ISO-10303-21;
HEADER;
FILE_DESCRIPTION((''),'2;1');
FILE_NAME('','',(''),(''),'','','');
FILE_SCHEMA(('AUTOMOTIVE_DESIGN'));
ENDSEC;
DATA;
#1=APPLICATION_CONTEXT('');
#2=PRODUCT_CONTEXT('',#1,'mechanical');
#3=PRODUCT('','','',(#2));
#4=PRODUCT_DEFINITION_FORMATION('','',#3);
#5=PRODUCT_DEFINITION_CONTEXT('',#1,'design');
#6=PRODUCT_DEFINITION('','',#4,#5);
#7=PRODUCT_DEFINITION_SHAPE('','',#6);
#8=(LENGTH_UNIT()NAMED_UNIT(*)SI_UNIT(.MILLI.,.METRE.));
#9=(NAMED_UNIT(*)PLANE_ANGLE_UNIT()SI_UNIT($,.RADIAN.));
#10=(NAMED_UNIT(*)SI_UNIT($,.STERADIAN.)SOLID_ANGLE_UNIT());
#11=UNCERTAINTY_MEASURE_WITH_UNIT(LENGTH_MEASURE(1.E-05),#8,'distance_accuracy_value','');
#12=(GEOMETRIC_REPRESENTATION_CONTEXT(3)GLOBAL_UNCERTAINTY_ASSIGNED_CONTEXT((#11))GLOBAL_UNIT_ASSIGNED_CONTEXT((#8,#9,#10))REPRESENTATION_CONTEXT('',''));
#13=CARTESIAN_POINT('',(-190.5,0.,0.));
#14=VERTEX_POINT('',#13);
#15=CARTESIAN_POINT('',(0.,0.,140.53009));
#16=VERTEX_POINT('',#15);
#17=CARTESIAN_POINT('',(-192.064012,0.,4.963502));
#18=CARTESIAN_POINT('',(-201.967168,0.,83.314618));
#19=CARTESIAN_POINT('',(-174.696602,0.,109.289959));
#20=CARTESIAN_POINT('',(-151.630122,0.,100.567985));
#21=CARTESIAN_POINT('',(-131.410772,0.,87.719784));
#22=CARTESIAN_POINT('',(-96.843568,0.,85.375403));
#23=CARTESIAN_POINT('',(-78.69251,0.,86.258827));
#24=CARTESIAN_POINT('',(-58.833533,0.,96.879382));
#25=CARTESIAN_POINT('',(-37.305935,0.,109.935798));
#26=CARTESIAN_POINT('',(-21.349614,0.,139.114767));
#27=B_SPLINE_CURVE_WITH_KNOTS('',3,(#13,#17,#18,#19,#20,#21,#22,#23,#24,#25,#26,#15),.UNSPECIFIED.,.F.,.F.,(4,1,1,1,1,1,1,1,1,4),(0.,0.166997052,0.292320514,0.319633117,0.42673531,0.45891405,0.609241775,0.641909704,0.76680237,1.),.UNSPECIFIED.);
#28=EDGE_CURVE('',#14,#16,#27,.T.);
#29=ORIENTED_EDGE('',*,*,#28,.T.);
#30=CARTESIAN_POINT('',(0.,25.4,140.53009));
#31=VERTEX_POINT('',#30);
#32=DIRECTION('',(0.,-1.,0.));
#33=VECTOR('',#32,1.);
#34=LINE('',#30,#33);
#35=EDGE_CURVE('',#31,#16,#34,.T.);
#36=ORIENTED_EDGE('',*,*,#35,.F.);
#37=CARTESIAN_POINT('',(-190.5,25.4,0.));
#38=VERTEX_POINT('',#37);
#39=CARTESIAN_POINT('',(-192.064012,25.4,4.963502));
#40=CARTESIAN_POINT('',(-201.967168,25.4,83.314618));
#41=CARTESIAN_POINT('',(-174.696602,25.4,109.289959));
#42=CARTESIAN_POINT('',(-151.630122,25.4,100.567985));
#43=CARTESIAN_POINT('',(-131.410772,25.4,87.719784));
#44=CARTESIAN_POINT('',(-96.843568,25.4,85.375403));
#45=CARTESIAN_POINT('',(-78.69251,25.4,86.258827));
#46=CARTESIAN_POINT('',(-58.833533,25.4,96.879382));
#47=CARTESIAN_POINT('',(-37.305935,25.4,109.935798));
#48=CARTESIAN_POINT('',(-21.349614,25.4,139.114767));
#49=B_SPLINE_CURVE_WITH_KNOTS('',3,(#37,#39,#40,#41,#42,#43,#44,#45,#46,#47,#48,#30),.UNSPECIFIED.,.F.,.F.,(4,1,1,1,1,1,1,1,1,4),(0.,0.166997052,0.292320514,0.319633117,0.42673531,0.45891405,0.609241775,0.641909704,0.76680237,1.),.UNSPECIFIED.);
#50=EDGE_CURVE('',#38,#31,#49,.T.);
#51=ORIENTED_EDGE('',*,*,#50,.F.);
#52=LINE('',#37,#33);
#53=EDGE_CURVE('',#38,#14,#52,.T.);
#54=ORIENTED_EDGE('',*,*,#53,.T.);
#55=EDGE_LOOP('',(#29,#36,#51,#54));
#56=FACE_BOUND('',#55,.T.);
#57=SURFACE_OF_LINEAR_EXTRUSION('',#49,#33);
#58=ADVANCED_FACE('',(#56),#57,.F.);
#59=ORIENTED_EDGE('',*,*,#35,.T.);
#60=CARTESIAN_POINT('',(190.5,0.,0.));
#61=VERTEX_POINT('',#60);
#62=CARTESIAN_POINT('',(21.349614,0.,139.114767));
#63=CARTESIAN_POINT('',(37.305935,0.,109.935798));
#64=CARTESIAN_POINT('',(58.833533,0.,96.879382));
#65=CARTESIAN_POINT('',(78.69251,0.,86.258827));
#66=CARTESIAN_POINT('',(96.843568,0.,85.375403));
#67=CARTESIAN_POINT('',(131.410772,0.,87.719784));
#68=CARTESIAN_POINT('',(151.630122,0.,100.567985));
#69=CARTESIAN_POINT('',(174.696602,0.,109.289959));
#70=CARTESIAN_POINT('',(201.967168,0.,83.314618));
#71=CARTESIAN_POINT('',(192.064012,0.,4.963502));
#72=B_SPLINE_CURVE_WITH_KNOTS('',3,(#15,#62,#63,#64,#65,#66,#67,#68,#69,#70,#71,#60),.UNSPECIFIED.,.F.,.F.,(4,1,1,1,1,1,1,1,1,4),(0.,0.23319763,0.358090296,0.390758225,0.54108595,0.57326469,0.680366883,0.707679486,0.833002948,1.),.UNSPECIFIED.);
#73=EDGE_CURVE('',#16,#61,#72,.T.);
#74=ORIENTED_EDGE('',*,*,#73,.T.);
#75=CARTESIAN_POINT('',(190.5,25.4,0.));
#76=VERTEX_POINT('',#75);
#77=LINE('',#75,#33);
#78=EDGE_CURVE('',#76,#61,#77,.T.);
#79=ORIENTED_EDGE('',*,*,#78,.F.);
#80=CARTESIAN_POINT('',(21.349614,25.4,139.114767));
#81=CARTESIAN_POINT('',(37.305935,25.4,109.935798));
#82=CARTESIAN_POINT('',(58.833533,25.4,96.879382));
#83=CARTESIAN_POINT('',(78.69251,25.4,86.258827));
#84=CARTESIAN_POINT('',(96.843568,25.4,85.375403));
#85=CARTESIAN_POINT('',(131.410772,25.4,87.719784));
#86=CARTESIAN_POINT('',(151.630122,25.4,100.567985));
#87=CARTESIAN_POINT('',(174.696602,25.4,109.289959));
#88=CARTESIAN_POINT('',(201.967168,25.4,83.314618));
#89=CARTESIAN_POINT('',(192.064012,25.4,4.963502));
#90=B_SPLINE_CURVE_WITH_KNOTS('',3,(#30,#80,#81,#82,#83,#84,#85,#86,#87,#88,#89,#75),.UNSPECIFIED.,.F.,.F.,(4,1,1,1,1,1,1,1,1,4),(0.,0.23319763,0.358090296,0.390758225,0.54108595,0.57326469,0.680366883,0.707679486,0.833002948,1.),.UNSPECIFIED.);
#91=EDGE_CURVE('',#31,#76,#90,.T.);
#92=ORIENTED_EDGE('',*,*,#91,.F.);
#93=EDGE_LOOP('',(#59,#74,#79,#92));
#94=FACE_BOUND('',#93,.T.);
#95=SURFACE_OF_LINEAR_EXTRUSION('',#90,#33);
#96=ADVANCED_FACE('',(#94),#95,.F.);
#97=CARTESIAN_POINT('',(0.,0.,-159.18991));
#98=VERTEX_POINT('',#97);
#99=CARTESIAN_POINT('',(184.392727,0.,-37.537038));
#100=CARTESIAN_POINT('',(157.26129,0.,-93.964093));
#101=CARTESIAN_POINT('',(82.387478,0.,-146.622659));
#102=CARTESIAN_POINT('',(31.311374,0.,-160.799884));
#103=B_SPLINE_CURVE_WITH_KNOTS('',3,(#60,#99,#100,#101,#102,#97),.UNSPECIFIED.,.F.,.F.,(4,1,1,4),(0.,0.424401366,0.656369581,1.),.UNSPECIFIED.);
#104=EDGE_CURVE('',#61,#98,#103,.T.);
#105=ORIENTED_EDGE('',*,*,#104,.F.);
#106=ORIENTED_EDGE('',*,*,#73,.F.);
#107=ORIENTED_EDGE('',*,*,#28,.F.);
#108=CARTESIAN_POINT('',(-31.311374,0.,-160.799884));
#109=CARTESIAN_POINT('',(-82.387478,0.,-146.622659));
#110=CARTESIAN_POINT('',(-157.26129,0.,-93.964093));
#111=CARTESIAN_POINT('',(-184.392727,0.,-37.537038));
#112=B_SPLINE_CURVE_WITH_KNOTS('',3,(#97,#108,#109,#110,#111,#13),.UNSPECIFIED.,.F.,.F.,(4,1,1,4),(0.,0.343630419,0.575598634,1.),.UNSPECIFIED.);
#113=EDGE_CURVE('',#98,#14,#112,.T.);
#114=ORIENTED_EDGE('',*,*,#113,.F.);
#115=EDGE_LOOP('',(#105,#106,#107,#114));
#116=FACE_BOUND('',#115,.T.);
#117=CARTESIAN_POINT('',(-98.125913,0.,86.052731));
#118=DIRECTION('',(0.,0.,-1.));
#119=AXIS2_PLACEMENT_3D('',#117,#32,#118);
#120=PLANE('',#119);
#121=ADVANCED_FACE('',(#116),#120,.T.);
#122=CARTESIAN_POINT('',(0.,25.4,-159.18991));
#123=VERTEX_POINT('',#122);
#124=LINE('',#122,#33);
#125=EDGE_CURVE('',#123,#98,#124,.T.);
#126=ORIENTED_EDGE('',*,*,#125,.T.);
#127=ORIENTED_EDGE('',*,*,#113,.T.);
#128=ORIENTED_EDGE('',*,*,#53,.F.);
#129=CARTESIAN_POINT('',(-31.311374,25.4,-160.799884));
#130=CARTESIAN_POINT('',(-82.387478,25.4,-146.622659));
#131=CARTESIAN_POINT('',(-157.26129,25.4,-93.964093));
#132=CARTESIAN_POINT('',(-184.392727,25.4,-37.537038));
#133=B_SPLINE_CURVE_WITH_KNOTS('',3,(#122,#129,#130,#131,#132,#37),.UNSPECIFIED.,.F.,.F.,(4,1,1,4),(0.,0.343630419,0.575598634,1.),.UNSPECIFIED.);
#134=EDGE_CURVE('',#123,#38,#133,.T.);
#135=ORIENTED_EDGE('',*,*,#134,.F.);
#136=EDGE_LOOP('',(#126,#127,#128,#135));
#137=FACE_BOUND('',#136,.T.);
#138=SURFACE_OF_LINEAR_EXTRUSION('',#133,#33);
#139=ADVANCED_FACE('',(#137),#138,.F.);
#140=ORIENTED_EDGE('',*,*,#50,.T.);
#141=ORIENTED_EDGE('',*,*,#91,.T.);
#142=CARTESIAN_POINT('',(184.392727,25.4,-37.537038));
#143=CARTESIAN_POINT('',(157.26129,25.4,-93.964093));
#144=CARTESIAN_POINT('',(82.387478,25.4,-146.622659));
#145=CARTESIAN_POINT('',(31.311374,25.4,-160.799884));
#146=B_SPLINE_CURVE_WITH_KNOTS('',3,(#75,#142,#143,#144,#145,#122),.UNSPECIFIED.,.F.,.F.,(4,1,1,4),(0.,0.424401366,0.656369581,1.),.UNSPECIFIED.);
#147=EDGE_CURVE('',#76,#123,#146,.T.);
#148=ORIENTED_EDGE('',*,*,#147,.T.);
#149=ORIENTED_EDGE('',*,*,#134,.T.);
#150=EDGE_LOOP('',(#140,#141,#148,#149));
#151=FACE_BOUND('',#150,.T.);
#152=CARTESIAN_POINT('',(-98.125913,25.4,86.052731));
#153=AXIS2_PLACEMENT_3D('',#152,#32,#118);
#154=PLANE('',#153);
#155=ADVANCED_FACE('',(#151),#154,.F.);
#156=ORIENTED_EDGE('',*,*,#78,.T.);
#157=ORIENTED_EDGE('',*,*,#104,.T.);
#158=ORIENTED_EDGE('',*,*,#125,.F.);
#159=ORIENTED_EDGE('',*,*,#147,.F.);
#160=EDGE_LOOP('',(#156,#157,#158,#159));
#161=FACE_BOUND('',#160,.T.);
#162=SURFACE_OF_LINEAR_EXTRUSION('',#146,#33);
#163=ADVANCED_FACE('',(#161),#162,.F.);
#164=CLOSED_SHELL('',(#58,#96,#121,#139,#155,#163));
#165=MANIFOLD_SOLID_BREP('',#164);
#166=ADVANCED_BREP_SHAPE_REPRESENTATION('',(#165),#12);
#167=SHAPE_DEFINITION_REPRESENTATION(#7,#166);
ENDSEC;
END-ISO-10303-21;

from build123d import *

# Parameters (mm, degrees)
BOSS_EXTRUDE1_DEPTH = 25.4


with BuildPart() as part:
    # Sketch3 → Boss-Extrude1 (new body)
    with BuildSketch(Plane(origin=(0, 0, 0), x_dir=(1, 0, 0), z_dir=(0, 1, 0))):
        with BuildLine():
            add(Edge.make_bspline(
                [(-190.5, 0), (-184.392726562, 37.537038237), (-157.261289847, 93.964093485), (-82.387478202, 146.622658841), (-31.311374143, 160.799884185), (0, 159.189909928)],
                knots=[0, 0, 0, 0, 0.424401366, 0.656369581, 1, 1, 1, 1], degree=3))
            add(Edge.make_bspline(
                [(190.5, 0), (184.392726562, 37.537038237), (157.261289847, 93.964093485), (82.387478202, 146.622658841), (31.311374143, 160.799884185), (0, 159.189909928)],
                knots=[0, 0, 0, 0, 0.424401366, 0.656369581, 1, 1, 1, 1], degree=3))
            add(Edge.make_bspline(
                [(190.5, 0), (192.064011793, -4.963501926), (201.967167766, -83.314618311), (174.696602041, -109.289958804), (151.630121659, -100.567984898), (131.410771519, -87.719783961), (96.843567628, -85.375403377), (78.692510144, -86.25882742), (58.833533072, -96.87938247), (37.30593461, -109.935798162), (21.349613946, -139.114767457), (0, -140.530090072)],
                knots=[0, 0, 0, 0, 0.166997052, 0.292320514, 0.319633117, 0.42673531, 0.45891405, 0.609241775, 0.641909704, 0.76680237, 1, 1, 1, 1], degree=3))
            add(Edge.make_bspline(
                [(-190.5, 0), (-192.064011793, -4.963501926), (-201.967167766, -83.314618311), (-174.696602041, -109.289958804), (-151.630121659, -100.567984898), (-131.410771519, -87.719783961), (-96.843567628, -85.375403377), (-78.692510144, -86.25882742), (-58.833533072, -96.87938247), (-37.30593461, -109.935798162), (-21.349613946, -139.114767457), (0, -140.530090072)],
                knots=[0, 0, 0, 0, 0.166997052, 0.292320514, 0.319633117, 0.42673531, 0.45891405, 0.609241775, 0.641909704, 0.76680237, 1, 1, 1, 1], degree=3))
        make_face()
    extrude(amount=BOSS_EXTRUDE1_DEPTH)


solid = part.part
